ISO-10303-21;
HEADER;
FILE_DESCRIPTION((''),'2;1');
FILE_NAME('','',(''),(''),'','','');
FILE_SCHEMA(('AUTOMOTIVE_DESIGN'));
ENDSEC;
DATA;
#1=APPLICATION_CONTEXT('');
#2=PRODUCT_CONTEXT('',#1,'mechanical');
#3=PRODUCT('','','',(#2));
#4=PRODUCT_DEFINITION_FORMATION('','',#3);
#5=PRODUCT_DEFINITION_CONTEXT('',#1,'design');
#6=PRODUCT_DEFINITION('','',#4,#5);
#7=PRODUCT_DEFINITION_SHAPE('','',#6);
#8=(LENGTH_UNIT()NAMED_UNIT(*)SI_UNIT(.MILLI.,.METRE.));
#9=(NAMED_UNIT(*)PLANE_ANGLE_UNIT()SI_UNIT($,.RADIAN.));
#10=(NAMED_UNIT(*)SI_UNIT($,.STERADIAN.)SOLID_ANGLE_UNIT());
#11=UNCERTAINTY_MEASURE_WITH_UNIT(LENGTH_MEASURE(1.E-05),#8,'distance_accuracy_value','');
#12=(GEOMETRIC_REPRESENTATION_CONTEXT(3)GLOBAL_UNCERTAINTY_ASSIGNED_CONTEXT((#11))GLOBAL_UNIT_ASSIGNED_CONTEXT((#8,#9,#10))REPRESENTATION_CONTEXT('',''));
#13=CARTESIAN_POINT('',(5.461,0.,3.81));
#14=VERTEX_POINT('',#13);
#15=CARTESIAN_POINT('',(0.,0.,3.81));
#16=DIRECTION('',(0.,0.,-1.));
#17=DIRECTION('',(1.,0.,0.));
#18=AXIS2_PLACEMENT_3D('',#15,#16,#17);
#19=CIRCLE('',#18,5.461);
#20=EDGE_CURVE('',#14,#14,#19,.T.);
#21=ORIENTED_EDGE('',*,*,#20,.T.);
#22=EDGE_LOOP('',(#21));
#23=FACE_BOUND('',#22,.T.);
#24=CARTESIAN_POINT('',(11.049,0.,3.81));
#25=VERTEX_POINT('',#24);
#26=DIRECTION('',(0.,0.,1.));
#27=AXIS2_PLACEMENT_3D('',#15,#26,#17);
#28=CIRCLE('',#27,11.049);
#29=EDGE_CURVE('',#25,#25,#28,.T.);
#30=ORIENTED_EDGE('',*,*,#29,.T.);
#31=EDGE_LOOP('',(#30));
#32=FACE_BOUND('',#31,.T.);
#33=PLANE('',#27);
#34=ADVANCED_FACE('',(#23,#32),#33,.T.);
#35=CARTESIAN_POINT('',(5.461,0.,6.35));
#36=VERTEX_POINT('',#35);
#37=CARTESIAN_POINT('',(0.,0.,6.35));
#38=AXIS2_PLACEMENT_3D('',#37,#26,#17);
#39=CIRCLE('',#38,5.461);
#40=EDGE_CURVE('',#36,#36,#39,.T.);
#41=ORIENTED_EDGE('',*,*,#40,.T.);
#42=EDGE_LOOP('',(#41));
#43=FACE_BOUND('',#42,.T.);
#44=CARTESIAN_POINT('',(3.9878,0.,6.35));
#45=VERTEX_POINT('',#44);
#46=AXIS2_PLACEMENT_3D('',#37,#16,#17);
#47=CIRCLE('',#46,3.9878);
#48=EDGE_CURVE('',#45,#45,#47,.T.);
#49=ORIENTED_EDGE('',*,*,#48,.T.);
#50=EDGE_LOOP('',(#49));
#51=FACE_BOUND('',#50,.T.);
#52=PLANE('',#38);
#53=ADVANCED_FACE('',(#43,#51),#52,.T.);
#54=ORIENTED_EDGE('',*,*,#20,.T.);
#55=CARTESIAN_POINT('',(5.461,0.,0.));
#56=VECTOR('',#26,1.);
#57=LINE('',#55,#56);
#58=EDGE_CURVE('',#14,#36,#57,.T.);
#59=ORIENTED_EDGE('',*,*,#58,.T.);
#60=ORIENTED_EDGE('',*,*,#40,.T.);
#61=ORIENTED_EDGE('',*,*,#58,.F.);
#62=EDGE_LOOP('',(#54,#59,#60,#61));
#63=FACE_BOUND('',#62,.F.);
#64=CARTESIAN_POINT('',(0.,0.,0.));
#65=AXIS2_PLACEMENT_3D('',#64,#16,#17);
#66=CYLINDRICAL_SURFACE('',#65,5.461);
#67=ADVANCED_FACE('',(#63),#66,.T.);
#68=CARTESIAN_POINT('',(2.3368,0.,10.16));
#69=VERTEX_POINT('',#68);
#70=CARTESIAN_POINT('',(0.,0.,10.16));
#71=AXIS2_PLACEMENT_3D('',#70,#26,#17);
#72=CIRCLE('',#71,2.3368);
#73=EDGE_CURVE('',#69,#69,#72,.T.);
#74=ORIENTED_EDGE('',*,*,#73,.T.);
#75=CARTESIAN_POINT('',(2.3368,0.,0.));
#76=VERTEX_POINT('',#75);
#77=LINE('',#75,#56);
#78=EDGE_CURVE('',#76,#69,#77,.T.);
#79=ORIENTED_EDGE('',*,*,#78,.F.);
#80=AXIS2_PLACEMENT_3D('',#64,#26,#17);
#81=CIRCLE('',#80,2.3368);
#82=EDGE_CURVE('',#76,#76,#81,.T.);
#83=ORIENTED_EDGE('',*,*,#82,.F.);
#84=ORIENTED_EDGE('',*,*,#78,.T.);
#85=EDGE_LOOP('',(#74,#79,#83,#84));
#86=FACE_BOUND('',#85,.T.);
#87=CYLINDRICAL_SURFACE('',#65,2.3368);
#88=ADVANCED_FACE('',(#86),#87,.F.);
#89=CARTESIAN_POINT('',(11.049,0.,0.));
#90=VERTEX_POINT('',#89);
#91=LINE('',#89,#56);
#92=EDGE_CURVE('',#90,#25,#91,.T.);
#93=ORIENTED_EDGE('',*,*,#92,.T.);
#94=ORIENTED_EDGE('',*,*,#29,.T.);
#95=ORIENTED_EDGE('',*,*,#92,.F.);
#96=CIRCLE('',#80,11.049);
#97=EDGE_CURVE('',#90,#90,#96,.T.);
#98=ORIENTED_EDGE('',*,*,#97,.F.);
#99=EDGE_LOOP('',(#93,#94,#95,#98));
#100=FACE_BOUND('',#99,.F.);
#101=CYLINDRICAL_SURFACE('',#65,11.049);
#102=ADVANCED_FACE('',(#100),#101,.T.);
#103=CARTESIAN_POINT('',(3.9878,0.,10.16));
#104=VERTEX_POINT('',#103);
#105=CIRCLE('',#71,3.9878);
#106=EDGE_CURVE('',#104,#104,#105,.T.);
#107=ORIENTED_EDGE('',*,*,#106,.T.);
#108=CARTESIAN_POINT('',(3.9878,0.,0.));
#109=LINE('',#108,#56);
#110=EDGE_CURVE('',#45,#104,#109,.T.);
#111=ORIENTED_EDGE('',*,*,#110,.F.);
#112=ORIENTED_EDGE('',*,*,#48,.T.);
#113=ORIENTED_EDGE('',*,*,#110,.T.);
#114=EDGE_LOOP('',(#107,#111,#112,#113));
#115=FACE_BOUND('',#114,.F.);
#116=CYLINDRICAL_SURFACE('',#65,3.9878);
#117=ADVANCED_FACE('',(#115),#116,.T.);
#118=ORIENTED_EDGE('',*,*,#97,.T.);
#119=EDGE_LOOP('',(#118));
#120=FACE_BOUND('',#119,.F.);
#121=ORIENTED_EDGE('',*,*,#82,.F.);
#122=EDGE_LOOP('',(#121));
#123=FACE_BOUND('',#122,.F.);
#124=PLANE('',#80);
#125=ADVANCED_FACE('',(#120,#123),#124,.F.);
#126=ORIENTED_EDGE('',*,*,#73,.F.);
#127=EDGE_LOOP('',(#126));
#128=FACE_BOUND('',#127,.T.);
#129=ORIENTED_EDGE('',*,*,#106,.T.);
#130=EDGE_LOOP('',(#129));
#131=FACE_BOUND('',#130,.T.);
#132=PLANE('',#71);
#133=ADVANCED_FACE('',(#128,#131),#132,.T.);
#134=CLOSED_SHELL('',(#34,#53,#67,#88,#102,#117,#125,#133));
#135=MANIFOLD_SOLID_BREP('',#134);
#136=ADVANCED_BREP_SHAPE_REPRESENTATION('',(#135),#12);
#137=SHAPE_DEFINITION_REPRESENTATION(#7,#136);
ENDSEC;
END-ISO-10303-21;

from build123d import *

# Parameters (mm, degrees)
F0_R     = 11.049
F0_R_2   = 2.3368
F1_DEPTH = 3.81
F2_R     = 5.461
F2_R_2   = 2.3368
F3_DEPTH = 6.35
F4_R     = 3.9878
F4_R_2   = 2.3368
F5_DEPTH = 10.16


with BuildPart() as f1:
    # F0 (on Top) → F1 (new body)
    with BuildSketch(Plane.XY):
        Circle(F0_R)
        Circle(F0_R_2, mode=Mode.SUBTRACT)
    extrude(amount=F1_DEPTH)

    # F2 (on Top) → F3 (join)
    with BuildSketch(Plane.XY):
        Circle(F2_R)
        Circle(F2_R_2, mode=Mode.SUBTRACT)
    extrude(amount=F3_DEPTH)

    # F4 (on Top) → F5 (join)
    with BuildSketch(Plane.XY):
        Circle(F4_R)
        Circle(F4_R_2, mode=Mode.SUBTRACT)
    extrude(amount=F5_DEPTH)


solid = f1.part
